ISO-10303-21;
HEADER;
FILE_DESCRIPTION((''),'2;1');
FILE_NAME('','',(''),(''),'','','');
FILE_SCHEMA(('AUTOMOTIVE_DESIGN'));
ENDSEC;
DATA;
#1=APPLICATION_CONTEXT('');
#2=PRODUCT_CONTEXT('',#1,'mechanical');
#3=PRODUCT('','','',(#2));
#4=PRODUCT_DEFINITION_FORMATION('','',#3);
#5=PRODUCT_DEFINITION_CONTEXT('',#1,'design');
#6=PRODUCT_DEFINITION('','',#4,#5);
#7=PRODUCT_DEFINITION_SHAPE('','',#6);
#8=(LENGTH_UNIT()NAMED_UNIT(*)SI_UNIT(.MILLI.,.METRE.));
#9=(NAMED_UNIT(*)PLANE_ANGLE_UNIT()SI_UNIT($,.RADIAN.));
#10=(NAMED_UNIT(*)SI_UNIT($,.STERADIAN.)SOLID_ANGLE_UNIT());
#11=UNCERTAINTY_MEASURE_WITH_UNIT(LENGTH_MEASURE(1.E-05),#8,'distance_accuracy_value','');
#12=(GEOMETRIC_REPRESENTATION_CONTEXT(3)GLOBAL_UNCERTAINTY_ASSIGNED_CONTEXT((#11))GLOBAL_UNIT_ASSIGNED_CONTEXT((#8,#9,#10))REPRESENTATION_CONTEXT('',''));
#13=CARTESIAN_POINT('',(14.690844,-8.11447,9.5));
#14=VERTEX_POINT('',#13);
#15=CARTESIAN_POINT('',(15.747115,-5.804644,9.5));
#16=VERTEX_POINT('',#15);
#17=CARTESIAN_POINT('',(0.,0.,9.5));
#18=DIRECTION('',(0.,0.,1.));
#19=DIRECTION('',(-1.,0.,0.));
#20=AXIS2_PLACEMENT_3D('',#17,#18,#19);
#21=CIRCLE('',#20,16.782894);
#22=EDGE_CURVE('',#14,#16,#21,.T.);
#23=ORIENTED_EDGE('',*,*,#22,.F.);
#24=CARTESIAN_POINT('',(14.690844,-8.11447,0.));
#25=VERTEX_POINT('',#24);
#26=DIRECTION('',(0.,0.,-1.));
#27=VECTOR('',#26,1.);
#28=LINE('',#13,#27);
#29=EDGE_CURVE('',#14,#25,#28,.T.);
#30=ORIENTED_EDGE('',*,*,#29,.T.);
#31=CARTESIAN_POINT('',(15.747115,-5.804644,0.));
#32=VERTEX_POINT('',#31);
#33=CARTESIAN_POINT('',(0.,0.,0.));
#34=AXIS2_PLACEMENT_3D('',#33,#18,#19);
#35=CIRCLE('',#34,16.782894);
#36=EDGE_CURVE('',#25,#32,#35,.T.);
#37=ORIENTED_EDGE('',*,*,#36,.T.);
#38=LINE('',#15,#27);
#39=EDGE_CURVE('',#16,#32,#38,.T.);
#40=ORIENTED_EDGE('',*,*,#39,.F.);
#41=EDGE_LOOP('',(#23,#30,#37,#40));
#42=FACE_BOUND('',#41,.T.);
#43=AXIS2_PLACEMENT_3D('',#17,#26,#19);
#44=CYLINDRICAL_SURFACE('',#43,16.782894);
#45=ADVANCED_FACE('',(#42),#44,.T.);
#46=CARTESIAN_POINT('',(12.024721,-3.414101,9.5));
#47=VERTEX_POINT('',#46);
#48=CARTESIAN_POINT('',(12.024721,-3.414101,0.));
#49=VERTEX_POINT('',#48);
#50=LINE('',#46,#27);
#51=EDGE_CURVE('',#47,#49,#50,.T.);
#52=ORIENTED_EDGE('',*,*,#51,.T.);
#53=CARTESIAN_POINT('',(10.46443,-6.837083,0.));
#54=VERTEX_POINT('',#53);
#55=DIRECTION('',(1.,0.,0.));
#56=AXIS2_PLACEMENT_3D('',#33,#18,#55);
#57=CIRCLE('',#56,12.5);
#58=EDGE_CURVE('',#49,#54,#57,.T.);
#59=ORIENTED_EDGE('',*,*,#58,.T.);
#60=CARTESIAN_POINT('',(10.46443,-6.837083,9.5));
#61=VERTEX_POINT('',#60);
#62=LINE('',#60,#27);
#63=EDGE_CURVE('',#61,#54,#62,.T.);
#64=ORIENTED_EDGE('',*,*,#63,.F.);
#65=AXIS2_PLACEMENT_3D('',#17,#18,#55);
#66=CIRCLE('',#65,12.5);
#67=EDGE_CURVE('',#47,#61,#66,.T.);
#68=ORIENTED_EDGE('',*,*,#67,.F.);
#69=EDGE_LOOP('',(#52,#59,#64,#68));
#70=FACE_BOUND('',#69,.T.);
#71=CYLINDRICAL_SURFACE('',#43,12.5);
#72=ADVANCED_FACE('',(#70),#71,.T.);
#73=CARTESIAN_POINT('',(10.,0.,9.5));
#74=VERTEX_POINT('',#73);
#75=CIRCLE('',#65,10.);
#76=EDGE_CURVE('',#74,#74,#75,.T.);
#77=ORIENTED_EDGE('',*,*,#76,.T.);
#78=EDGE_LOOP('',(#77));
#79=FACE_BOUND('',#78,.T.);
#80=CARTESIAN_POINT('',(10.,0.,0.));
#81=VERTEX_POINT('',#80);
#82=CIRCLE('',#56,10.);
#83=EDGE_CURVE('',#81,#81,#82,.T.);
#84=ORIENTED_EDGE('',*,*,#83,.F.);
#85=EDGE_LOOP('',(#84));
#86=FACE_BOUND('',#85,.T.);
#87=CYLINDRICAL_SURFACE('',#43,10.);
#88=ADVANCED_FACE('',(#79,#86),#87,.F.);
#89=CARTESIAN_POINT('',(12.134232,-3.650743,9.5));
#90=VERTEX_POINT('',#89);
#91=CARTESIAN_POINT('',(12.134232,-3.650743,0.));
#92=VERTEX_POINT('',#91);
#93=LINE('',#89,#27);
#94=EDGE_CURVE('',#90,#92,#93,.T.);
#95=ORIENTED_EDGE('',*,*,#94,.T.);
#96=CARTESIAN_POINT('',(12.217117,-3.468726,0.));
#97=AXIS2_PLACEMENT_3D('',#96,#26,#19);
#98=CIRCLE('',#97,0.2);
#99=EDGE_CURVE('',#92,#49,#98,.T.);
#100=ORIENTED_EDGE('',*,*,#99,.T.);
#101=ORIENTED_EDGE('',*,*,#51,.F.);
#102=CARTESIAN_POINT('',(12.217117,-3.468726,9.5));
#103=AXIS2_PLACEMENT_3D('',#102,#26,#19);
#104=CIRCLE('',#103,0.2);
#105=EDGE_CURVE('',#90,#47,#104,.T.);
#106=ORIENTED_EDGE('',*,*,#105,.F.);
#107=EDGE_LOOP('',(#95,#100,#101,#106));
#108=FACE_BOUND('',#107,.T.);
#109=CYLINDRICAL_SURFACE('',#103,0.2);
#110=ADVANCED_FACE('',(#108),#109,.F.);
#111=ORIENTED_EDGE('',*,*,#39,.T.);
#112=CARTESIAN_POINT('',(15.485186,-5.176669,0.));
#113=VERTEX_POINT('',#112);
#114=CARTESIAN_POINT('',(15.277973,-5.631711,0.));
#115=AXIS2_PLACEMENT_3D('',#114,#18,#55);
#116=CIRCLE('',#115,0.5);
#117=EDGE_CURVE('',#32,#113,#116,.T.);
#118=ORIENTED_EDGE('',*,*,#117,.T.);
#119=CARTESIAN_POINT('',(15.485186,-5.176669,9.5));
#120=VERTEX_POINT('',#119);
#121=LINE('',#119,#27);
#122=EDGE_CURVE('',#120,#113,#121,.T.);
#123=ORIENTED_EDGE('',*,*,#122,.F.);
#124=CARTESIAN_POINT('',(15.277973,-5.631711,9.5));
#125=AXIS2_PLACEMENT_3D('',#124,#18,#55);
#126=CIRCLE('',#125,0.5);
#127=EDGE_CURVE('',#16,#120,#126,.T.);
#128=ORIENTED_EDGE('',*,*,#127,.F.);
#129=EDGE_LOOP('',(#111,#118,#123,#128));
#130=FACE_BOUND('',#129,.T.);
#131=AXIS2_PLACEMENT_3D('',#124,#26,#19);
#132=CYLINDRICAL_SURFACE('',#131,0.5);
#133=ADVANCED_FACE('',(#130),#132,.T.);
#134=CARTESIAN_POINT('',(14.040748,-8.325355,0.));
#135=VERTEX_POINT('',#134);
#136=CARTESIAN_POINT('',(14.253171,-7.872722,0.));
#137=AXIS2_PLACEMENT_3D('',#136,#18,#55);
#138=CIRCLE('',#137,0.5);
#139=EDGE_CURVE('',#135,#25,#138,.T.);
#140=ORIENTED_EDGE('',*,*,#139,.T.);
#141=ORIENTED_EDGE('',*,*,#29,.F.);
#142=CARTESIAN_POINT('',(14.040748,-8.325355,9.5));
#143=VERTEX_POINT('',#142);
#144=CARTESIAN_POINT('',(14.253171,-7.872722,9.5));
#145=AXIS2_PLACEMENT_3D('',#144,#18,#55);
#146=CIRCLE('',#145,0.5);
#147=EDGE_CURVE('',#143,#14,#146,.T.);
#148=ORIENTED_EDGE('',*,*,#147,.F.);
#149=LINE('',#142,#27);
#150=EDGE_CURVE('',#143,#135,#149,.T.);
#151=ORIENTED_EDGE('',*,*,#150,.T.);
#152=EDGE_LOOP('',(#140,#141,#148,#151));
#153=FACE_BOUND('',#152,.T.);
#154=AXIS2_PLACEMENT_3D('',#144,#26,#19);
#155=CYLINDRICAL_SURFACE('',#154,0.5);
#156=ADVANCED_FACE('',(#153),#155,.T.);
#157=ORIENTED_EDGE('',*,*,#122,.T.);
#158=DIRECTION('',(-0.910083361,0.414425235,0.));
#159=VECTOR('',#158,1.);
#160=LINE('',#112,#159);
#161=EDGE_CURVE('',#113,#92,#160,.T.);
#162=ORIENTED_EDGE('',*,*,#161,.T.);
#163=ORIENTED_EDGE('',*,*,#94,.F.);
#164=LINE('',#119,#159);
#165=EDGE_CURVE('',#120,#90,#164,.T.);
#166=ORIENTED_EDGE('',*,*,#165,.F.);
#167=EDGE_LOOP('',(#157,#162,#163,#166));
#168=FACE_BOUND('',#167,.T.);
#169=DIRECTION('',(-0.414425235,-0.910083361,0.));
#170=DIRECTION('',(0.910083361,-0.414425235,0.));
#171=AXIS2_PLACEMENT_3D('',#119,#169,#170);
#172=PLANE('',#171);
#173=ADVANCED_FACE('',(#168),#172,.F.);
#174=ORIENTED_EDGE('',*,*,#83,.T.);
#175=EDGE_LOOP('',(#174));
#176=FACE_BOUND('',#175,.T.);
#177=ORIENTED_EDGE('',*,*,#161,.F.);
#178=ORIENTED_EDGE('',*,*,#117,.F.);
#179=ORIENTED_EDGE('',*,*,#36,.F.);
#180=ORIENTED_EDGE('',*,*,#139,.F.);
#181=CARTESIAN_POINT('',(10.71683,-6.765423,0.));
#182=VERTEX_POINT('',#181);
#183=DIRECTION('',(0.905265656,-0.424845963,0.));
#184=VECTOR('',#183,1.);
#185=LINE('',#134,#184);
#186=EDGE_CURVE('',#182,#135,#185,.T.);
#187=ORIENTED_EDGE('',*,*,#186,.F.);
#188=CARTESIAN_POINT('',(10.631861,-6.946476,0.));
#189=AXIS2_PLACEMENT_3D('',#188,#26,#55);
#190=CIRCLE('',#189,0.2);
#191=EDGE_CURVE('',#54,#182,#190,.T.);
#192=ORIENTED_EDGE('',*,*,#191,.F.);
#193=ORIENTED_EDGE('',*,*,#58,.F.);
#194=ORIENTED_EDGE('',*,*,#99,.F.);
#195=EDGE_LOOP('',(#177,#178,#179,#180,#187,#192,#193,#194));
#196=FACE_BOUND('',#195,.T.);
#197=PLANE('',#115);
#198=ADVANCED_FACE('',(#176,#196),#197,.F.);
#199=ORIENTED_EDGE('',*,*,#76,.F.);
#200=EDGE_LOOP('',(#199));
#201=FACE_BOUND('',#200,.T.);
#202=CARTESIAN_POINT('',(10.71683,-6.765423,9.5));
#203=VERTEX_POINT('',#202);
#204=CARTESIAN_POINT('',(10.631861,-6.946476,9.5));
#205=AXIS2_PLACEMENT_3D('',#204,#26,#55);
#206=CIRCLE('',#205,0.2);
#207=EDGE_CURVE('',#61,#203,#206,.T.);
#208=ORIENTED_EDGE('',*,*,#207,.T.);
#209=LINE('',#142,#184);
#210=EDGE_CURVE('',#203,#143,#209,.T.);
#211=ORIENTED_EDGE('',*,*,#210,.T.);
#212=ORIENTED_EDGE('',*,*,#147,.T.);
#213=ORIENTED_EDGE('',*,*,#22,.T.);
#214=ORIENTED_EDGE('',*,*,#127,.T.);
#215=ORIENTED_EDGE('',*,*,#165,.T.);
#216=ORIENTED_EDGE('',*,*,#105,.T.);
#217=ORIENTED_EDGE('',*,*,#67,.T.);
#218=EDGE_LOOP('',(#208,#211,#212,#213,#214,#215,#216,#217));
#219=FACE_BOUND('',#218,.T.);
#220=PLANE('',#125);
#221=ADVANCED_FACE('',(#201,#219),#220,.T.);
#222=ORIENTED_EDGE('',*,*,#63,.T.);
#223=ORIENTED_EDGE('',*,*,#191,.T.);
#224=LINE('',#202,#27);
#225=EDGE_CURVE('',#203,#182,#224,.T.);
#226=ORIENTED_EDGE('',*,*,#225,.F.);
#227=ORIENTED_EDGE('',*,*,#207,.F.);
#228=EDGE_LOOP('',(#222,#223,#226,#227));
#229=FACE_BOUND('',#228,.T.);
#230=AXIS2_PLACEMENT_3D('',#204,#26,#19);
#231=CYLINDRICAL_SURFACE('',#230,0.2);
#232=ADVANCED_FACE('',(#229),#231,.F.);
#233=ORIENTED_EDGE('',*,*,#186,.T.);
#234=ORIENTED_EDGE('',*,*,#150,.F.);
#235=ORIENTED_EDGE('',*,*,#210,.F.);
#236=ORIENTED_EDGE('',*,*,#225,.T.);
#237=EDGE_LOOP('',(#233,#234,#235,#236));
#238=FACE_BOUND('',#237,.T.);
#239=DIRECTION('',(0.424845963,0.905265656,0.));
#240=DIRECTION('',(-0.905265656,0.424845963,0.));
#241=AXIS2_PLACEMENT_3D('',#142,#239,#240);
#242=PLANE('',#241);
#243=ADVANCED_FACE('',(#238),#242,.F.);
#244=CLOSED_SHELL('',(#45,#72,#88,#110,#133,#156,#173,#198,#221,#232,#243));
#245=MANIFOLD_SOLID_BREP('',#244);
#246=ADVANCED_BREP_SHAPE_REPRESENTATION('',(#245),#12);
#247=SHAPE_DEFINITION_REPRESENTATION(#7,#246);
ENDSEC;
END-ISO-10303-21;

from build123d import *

# Parameters (mm, degrees)
ESQUISSE1_R        = 10
BOSS_EXTRU_3_DEPTH = 9.5


with BuildPart() as part:
    # Esquisse1 → Boss.-Extru.3 (new body)
    with BuildSketch(Plane.XY):
        with BuildLine():
            Line((15.485185595, -5.176669047), (12.134231543, -3.650742984))
            ThreePointArc((12.134231543, -3.650742984), (12.035609724, -3.552721892), (12.024721053, -3.414100701))
            ThreePointArc((12.024721053, -3.414100701), (-11.374079439, 5.184623122), (10.464430261, -6.837082661))
            ThreePointArc((10.464430261, -6.837082661), (10.577237298, -6.754079946), (10.716830338, -6.765422852))
            Line((10.716830338, -6.765422852), (14.040747626, -8.325354826))
            ThreePointArc((14.040747626, -8.325354826), (14.40745115, -8.348324263), (14.690843755, -8.114470246))
            ThreePointArc((14.690843755, -8.114470246), (15.262737454, -6.979567539), (15.747114807, -5.80464408))
            ThreePointArc((15.747114807, -5.80464408), (15.739440197, -5.439232144), (15.485185595, -5.176669047))
        make_face()
        Circle(ESQUISSE1_R, mode=Mode.SUBTRACT)
    extrude(amount=BOSS_EXTRU_3_DEPTH)


solid = part.part
